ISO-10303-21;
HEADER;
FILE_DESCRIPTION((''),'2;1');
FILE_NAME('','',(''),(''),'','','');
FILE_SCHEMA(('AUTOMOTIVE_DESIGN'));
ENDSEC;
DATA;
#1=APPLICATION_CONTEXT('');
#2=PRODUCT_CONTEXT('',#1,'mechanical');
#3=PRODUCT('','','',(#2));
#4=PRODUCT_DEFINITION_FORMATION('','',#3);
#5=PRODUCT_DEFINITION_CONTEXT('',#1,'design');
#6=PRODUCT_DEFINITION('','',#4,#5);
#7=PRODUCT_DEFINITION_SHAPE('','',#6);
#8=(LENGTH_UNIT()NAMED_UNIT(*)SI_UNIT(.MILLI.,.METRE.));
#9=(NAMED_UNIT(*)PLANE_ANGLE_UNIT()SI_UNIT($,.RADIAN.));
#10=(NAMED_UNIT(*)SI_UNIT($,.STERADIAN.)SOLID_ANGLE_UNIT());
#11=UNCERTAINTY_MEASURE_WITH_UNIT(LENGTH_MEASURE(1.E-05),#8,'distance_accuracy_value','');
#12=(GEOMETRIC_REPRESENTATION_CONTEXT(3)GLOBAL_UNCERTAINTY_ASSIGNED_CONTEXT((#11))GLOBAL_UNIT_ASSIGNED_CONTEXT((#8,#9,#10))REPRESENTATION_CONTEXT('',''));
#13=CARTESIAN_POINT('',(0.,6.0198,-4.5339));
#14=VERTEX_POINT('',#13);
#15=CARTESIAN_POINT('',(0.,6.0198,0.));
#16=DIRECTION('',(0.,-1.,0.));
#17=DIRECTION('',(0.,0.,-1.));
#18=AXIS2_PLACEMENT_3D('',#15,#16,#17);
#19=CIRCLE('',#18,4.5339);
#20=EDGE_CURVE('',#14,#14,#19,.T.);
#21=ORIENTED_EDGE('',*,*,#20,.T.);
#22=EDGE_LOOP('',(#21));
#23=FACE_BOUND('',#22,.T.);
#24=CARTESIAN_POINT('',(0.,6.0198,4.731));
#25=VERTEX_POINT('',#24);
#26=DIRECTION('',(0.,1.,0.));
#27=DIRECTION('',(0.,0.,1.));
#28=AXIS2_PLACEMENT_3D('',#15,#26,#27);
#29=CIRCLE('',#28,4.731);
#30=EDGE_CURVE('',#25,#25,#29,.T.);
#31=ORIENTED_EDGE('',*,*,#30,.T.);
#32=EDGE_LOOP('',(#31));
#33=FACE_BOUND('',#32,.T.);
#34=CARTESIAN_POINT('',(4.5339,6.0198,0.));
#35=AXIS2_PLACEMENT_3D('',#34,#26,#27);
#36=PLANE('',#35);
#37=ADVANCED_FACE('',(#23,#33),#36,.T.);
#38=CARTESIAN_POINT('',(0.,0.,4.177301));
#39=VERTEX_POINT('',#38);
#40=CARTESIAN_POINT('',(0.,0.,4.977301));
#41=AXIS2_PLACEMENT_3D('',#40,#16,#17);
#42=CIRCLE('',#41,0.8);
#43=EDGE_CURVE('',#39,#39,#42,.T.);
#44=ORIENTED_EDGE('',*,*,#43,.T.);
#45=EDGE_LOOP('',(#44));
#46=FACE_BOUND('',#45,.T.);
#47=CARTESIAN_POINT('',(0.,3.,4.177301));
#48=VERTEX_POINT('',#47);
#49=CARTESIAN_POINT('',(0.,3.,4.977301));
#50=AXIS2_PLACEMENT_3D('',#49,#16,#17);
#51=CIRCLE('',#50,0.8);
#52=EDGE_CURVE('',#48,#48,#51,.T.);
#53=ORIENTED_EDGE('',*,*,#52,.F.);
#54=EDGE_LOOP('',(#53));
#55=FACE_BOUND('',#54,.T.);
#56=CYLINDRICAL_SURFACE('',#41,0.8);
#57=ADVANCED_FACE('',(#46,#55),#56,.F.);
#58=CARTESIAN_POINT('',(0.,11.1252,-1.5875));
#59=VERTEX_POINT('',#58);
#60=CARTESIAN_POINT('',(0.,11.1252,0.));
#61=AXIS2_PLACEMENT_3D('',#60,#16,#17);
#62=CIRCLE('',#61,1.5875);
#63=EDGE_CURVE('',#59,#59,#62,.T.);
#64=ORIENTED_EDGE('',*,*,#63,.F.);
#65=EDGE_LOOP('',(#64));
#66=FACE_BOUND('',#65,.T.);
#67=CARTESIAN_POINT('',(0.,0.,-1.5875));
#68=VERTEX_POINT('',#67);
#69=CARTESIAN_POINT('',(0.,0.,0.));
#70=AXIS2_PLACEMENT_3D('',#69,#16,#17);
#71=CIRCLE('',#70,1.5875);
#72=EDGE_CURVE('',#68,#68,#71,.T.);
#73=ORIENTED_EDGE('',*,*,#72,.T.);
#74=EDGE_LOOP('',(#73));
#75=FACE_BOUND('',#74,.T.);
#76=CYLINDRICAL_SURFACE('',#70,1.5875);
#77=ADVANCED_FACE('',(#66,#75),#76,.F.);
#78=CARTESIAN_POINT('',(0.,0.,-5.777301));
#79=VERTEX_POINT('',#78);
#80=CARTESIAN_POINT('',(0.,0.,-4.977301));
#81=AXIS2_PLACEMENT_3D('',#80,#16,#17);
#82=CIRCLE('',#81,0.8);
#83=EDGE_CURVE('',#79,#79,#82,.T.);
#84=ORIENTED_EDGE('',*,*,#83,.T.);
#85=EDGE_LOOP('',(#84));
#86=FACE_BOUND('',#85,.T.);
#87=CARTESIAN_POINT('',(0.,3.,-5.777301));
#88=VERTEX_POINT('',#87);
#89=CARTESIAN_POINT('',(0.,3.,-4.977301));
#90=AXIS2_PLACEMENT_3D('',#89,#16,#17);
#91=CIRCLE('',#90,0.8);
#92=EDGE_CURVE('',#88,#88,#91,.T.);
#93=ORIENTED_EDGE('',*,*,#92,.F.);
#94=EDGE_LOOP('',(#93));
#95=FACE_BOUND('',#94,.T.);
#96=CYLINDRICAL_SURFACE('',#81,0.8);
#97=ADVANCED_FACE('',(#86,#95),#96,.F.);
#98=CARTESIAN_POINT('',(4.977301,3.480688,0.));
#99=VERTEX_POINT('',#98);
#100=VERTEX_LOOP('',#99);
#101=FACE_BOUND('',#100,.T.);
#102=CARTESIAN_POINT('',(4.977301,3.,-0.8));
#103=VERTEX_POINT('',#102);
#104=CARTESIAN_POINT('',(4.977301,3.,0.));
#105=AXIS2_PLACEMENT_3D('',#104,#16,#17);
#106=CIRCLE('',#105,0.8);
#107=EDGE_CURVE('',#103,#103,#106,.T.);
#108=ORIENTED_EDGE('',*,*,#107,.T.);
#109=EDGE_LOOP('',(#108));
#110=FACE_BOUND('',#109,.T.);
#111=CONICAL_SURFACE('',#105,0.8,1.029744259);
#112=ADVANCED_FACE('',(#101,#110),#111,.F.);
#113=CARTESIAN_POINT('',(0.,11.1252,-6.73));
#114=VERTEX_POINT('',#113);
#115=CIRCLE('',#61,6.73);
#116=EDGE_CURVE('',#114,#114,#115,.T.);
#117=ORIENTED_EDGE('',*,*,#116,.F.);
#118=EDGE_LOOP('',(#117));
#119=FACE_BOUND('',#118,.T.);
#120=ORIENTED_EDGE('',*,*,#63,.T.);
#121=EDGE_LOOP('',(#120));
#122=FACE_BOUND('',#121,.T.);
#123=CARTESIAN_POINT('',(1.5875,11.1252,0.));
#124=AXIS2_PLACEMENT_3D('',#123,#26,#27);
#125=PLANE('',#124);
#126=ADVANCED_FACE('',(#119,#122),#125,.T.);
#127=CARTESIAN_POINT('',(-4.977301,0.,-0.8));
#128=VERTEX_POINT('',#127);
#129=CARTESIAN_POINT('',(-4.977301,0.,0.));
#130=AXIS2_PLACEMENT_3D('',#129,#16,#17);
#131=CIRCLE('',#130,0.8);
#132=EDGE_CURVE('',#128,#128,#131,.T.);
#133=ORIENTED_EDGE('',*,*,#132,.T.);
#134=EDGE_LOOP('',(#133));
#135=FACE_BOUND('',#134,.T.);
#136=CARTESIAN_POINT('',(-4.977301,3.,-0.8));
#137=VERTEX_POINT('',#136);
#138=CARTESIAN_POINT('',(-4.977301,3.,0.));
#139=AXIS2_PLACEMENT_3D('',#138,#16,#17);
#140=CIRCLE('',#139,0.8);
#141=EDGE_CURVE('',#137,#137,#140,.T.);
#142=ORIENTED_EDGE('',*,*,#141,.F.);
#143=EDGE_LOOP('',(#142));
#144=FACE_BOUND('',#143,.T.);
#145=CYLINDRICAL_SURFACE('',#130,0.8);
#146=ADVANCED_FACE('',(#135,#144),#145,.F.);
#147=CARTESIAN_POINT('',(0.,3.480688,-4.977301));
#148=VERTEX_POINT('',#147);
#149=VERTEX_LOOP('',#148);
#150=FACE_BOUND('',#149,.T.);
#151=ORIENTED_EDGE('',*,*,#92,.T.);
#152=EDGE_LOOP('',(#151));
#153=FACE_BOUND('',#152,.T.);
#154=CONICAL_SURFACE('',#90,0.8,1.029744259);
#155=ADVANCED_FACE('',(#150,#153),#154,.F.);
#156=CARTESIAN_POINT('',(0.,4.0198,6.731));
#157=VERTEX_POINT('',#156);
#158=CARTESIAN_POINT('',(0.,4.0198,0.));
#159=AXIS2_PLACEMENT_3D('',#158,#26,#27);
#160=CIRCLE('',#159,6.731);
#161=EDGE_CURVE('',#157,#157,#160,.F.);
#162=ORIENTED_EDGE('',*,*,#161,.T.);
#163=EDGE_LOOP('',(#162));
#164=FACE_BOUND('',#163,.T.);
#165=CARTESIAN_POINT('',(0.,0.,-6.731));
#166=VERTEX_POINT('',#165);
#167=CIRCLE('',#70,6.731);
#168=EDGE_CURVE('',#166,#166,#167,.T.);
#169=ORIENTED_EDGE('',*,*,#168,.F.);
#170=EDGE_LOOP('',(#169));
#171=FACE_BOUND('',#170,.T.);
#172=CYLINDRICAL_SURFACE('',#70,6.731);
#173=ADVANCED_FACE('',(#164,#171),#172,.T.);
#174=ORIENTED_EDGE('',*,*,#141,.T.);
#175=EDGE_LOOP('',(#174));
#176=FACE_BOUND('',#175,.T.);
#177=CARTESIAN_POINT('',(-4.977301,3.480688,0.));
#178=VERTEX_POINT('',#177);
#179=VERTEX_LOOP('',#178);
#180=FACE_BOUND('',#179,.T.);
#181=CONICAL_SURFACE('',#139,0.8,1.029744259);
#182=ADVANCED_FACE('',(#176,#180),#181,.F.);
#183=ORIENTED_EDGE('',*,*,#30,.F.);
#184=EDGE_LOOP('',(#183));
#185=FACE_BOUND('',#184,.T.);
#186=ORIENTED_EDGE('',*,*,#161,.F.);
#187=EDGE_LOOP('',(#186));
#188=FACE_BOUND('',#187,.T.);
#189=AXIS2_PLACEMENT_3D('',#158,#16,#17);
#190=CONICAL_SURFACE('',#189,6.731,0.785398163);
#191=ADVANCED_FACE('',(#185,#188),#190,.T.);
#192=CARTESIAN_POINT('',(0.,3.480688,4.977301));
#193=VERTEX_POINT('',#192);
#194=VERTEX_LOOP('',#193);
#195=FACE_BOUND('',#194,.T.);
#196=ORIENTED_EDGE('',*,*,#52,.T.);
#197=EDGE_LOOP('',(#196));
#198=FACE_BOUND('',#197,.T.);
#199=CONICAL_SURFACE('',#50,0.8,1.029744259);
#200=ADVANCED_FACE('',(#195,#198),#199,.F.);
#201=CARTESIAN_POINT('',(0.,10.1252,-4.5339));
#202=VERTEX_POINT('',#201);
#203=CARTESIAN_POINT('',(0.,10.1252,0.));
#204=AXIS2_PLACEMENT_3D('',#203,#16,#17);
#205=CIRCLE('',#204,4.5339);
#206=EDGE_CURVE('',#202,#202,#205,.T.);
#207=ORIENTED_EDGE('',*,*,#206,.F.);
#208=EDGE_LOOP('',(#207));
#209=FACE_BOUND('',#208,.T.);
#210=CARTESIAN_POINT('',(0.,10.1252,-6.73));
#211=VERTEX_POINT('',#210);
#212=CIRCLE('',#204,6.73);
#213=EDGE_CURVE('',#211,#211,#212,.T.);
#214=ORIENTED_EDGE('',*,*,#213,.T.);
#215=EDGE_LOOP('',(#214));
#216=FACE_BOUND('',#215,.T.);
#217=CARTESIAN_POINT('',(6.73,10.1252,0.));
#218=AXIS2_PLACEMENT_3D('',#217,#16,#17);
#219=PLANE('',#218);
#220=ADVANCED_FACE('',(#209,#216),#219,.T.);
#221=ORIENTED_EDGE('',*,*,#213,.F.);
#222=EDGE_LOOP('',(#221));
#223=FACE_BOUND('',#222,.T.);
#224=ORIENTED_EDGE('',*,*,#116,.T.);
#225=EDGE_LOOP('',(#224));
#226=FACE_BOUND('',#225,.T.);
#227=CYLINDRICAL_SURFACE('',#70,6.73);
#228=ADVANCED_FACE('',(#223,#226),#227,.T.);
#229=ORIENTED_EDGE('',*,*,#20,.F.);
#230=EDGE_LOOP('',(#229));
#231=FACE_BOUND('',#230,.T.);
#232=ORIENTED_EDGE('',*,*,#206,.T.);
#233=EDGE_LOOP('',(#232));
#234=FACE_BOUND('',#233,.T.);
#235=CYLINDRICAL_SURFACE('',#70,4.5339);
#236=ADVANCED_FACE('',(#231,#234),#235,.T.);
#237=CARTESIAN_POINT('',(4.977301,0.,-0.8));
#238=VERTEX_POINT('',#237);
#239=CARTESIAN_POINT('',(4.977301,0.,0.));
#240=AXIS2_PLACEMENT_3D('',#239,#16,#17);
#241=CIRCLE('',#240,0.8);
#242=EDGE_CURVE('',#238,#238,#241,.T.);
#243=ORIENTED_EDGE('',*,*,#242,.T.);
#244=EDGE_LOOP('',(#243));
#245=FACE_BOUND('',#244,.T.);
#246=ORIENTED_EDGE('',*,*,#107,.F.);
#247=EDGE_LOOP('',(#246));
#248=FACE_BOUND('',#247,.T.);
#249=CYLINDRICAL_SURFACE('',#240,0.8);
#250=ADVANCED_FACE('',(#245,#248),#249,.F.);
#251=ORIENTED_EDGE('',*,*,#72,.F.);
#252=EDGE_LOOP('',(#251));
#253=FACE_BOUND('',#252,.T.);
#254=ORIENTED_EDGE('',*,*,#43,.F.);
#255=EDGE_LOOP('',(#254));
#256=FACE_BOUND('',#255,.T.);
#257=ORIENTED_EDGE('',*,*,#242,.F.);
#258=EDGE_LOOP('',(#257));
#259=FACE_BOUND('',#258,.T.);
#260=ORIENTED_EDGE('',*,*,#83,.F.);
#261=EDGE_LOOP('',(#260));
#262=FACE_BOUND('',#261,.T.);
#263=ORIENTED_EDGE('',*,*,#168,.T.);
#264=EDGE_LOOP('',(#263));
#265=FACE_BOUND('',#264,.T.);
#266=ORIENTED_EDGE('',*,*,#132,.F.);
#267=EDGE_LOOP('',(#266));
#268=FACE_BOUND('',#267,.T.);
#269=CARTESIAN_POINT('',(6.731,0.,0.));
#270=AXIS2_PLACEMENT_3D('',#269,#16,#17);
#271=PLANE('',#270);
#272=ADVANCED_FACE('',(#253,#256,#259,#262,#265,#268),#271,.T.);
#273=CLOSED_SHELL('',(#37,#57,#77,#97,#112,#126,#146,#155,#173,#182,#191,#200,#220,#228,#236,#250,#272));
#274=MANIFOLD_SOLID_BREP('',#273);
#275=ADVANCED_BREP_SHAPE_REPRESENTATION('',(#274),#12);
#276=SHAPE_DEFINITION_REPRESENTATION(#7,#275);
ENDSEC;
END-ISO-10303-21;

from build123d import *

# Parameters (mm, degrees)
CHAMFER1_SIZE             = 2
M2X0_4_TAPPED_HOLE1_D     = 1.6
M2X0_4_TAPPED_HOLE1_DEPTH = 3
M2X0_4_TAPPED_HOLE1_TIP   = 0.480688495


with BuildPart() as part:
    # Sketch1 → Revolve1 (revolve)
    with BuildSketch(Plane.XY, mode=Mode.PRIVATE) as revolve1_sk:
        Polygon((1.5875, 0), (1.5875, 11.1252), (6.73, 11.1252), (6.73, 10.1252), (4.5339, 10.1252), (4.5339, 6.019800098), (6.731, 6.019800098), (6.731, 0), align=None)
    revolve(revolve1_sk.sketch.rotate(Axis((0, 0, 0), (0, 1, 0)), 90), axis=Axis((0, 0, 0), (0, 1, 0)))

    # Chamfer1
    chamfer1_edges = [part.edges().sort_by_distance(p)[0] for p in [
        (0, 6.019800098, 6.731),
    ]]
    chamfer(chamfer1_edges, length=CHAMFER1_SIZE)

    # M2x0.4 Tapped Hole1
    with Locations(Plane(origin=(0, 0, 0), x_dir=(-1, 0, 0), z_dir=(0, -1, 0))):
        with Locations((0, -4.977300526), (-4.977300526, 0), (0, 4.977300526), (4.977300526, 0), (0, 0)):
            Hole(M2X0_4_TAPPED_HOLE1_D / 2, depth=M2X0_4_TAPPED_HOLE1_DEPTH)
            with Locations((0, 0, -(M2X0_4_TAPPED_HOLE1_DEPTH + M2X0_4_TAPPED_HOLE1_TIP / 2))):  # 118° drill point
                Cone(0, M2X0_4_TAPPED_HOLE1_D / 2, M2X0_4_TAPPED_HOLE1_TIP, mode=Mode.SUBTRACT)


solid = part.part
